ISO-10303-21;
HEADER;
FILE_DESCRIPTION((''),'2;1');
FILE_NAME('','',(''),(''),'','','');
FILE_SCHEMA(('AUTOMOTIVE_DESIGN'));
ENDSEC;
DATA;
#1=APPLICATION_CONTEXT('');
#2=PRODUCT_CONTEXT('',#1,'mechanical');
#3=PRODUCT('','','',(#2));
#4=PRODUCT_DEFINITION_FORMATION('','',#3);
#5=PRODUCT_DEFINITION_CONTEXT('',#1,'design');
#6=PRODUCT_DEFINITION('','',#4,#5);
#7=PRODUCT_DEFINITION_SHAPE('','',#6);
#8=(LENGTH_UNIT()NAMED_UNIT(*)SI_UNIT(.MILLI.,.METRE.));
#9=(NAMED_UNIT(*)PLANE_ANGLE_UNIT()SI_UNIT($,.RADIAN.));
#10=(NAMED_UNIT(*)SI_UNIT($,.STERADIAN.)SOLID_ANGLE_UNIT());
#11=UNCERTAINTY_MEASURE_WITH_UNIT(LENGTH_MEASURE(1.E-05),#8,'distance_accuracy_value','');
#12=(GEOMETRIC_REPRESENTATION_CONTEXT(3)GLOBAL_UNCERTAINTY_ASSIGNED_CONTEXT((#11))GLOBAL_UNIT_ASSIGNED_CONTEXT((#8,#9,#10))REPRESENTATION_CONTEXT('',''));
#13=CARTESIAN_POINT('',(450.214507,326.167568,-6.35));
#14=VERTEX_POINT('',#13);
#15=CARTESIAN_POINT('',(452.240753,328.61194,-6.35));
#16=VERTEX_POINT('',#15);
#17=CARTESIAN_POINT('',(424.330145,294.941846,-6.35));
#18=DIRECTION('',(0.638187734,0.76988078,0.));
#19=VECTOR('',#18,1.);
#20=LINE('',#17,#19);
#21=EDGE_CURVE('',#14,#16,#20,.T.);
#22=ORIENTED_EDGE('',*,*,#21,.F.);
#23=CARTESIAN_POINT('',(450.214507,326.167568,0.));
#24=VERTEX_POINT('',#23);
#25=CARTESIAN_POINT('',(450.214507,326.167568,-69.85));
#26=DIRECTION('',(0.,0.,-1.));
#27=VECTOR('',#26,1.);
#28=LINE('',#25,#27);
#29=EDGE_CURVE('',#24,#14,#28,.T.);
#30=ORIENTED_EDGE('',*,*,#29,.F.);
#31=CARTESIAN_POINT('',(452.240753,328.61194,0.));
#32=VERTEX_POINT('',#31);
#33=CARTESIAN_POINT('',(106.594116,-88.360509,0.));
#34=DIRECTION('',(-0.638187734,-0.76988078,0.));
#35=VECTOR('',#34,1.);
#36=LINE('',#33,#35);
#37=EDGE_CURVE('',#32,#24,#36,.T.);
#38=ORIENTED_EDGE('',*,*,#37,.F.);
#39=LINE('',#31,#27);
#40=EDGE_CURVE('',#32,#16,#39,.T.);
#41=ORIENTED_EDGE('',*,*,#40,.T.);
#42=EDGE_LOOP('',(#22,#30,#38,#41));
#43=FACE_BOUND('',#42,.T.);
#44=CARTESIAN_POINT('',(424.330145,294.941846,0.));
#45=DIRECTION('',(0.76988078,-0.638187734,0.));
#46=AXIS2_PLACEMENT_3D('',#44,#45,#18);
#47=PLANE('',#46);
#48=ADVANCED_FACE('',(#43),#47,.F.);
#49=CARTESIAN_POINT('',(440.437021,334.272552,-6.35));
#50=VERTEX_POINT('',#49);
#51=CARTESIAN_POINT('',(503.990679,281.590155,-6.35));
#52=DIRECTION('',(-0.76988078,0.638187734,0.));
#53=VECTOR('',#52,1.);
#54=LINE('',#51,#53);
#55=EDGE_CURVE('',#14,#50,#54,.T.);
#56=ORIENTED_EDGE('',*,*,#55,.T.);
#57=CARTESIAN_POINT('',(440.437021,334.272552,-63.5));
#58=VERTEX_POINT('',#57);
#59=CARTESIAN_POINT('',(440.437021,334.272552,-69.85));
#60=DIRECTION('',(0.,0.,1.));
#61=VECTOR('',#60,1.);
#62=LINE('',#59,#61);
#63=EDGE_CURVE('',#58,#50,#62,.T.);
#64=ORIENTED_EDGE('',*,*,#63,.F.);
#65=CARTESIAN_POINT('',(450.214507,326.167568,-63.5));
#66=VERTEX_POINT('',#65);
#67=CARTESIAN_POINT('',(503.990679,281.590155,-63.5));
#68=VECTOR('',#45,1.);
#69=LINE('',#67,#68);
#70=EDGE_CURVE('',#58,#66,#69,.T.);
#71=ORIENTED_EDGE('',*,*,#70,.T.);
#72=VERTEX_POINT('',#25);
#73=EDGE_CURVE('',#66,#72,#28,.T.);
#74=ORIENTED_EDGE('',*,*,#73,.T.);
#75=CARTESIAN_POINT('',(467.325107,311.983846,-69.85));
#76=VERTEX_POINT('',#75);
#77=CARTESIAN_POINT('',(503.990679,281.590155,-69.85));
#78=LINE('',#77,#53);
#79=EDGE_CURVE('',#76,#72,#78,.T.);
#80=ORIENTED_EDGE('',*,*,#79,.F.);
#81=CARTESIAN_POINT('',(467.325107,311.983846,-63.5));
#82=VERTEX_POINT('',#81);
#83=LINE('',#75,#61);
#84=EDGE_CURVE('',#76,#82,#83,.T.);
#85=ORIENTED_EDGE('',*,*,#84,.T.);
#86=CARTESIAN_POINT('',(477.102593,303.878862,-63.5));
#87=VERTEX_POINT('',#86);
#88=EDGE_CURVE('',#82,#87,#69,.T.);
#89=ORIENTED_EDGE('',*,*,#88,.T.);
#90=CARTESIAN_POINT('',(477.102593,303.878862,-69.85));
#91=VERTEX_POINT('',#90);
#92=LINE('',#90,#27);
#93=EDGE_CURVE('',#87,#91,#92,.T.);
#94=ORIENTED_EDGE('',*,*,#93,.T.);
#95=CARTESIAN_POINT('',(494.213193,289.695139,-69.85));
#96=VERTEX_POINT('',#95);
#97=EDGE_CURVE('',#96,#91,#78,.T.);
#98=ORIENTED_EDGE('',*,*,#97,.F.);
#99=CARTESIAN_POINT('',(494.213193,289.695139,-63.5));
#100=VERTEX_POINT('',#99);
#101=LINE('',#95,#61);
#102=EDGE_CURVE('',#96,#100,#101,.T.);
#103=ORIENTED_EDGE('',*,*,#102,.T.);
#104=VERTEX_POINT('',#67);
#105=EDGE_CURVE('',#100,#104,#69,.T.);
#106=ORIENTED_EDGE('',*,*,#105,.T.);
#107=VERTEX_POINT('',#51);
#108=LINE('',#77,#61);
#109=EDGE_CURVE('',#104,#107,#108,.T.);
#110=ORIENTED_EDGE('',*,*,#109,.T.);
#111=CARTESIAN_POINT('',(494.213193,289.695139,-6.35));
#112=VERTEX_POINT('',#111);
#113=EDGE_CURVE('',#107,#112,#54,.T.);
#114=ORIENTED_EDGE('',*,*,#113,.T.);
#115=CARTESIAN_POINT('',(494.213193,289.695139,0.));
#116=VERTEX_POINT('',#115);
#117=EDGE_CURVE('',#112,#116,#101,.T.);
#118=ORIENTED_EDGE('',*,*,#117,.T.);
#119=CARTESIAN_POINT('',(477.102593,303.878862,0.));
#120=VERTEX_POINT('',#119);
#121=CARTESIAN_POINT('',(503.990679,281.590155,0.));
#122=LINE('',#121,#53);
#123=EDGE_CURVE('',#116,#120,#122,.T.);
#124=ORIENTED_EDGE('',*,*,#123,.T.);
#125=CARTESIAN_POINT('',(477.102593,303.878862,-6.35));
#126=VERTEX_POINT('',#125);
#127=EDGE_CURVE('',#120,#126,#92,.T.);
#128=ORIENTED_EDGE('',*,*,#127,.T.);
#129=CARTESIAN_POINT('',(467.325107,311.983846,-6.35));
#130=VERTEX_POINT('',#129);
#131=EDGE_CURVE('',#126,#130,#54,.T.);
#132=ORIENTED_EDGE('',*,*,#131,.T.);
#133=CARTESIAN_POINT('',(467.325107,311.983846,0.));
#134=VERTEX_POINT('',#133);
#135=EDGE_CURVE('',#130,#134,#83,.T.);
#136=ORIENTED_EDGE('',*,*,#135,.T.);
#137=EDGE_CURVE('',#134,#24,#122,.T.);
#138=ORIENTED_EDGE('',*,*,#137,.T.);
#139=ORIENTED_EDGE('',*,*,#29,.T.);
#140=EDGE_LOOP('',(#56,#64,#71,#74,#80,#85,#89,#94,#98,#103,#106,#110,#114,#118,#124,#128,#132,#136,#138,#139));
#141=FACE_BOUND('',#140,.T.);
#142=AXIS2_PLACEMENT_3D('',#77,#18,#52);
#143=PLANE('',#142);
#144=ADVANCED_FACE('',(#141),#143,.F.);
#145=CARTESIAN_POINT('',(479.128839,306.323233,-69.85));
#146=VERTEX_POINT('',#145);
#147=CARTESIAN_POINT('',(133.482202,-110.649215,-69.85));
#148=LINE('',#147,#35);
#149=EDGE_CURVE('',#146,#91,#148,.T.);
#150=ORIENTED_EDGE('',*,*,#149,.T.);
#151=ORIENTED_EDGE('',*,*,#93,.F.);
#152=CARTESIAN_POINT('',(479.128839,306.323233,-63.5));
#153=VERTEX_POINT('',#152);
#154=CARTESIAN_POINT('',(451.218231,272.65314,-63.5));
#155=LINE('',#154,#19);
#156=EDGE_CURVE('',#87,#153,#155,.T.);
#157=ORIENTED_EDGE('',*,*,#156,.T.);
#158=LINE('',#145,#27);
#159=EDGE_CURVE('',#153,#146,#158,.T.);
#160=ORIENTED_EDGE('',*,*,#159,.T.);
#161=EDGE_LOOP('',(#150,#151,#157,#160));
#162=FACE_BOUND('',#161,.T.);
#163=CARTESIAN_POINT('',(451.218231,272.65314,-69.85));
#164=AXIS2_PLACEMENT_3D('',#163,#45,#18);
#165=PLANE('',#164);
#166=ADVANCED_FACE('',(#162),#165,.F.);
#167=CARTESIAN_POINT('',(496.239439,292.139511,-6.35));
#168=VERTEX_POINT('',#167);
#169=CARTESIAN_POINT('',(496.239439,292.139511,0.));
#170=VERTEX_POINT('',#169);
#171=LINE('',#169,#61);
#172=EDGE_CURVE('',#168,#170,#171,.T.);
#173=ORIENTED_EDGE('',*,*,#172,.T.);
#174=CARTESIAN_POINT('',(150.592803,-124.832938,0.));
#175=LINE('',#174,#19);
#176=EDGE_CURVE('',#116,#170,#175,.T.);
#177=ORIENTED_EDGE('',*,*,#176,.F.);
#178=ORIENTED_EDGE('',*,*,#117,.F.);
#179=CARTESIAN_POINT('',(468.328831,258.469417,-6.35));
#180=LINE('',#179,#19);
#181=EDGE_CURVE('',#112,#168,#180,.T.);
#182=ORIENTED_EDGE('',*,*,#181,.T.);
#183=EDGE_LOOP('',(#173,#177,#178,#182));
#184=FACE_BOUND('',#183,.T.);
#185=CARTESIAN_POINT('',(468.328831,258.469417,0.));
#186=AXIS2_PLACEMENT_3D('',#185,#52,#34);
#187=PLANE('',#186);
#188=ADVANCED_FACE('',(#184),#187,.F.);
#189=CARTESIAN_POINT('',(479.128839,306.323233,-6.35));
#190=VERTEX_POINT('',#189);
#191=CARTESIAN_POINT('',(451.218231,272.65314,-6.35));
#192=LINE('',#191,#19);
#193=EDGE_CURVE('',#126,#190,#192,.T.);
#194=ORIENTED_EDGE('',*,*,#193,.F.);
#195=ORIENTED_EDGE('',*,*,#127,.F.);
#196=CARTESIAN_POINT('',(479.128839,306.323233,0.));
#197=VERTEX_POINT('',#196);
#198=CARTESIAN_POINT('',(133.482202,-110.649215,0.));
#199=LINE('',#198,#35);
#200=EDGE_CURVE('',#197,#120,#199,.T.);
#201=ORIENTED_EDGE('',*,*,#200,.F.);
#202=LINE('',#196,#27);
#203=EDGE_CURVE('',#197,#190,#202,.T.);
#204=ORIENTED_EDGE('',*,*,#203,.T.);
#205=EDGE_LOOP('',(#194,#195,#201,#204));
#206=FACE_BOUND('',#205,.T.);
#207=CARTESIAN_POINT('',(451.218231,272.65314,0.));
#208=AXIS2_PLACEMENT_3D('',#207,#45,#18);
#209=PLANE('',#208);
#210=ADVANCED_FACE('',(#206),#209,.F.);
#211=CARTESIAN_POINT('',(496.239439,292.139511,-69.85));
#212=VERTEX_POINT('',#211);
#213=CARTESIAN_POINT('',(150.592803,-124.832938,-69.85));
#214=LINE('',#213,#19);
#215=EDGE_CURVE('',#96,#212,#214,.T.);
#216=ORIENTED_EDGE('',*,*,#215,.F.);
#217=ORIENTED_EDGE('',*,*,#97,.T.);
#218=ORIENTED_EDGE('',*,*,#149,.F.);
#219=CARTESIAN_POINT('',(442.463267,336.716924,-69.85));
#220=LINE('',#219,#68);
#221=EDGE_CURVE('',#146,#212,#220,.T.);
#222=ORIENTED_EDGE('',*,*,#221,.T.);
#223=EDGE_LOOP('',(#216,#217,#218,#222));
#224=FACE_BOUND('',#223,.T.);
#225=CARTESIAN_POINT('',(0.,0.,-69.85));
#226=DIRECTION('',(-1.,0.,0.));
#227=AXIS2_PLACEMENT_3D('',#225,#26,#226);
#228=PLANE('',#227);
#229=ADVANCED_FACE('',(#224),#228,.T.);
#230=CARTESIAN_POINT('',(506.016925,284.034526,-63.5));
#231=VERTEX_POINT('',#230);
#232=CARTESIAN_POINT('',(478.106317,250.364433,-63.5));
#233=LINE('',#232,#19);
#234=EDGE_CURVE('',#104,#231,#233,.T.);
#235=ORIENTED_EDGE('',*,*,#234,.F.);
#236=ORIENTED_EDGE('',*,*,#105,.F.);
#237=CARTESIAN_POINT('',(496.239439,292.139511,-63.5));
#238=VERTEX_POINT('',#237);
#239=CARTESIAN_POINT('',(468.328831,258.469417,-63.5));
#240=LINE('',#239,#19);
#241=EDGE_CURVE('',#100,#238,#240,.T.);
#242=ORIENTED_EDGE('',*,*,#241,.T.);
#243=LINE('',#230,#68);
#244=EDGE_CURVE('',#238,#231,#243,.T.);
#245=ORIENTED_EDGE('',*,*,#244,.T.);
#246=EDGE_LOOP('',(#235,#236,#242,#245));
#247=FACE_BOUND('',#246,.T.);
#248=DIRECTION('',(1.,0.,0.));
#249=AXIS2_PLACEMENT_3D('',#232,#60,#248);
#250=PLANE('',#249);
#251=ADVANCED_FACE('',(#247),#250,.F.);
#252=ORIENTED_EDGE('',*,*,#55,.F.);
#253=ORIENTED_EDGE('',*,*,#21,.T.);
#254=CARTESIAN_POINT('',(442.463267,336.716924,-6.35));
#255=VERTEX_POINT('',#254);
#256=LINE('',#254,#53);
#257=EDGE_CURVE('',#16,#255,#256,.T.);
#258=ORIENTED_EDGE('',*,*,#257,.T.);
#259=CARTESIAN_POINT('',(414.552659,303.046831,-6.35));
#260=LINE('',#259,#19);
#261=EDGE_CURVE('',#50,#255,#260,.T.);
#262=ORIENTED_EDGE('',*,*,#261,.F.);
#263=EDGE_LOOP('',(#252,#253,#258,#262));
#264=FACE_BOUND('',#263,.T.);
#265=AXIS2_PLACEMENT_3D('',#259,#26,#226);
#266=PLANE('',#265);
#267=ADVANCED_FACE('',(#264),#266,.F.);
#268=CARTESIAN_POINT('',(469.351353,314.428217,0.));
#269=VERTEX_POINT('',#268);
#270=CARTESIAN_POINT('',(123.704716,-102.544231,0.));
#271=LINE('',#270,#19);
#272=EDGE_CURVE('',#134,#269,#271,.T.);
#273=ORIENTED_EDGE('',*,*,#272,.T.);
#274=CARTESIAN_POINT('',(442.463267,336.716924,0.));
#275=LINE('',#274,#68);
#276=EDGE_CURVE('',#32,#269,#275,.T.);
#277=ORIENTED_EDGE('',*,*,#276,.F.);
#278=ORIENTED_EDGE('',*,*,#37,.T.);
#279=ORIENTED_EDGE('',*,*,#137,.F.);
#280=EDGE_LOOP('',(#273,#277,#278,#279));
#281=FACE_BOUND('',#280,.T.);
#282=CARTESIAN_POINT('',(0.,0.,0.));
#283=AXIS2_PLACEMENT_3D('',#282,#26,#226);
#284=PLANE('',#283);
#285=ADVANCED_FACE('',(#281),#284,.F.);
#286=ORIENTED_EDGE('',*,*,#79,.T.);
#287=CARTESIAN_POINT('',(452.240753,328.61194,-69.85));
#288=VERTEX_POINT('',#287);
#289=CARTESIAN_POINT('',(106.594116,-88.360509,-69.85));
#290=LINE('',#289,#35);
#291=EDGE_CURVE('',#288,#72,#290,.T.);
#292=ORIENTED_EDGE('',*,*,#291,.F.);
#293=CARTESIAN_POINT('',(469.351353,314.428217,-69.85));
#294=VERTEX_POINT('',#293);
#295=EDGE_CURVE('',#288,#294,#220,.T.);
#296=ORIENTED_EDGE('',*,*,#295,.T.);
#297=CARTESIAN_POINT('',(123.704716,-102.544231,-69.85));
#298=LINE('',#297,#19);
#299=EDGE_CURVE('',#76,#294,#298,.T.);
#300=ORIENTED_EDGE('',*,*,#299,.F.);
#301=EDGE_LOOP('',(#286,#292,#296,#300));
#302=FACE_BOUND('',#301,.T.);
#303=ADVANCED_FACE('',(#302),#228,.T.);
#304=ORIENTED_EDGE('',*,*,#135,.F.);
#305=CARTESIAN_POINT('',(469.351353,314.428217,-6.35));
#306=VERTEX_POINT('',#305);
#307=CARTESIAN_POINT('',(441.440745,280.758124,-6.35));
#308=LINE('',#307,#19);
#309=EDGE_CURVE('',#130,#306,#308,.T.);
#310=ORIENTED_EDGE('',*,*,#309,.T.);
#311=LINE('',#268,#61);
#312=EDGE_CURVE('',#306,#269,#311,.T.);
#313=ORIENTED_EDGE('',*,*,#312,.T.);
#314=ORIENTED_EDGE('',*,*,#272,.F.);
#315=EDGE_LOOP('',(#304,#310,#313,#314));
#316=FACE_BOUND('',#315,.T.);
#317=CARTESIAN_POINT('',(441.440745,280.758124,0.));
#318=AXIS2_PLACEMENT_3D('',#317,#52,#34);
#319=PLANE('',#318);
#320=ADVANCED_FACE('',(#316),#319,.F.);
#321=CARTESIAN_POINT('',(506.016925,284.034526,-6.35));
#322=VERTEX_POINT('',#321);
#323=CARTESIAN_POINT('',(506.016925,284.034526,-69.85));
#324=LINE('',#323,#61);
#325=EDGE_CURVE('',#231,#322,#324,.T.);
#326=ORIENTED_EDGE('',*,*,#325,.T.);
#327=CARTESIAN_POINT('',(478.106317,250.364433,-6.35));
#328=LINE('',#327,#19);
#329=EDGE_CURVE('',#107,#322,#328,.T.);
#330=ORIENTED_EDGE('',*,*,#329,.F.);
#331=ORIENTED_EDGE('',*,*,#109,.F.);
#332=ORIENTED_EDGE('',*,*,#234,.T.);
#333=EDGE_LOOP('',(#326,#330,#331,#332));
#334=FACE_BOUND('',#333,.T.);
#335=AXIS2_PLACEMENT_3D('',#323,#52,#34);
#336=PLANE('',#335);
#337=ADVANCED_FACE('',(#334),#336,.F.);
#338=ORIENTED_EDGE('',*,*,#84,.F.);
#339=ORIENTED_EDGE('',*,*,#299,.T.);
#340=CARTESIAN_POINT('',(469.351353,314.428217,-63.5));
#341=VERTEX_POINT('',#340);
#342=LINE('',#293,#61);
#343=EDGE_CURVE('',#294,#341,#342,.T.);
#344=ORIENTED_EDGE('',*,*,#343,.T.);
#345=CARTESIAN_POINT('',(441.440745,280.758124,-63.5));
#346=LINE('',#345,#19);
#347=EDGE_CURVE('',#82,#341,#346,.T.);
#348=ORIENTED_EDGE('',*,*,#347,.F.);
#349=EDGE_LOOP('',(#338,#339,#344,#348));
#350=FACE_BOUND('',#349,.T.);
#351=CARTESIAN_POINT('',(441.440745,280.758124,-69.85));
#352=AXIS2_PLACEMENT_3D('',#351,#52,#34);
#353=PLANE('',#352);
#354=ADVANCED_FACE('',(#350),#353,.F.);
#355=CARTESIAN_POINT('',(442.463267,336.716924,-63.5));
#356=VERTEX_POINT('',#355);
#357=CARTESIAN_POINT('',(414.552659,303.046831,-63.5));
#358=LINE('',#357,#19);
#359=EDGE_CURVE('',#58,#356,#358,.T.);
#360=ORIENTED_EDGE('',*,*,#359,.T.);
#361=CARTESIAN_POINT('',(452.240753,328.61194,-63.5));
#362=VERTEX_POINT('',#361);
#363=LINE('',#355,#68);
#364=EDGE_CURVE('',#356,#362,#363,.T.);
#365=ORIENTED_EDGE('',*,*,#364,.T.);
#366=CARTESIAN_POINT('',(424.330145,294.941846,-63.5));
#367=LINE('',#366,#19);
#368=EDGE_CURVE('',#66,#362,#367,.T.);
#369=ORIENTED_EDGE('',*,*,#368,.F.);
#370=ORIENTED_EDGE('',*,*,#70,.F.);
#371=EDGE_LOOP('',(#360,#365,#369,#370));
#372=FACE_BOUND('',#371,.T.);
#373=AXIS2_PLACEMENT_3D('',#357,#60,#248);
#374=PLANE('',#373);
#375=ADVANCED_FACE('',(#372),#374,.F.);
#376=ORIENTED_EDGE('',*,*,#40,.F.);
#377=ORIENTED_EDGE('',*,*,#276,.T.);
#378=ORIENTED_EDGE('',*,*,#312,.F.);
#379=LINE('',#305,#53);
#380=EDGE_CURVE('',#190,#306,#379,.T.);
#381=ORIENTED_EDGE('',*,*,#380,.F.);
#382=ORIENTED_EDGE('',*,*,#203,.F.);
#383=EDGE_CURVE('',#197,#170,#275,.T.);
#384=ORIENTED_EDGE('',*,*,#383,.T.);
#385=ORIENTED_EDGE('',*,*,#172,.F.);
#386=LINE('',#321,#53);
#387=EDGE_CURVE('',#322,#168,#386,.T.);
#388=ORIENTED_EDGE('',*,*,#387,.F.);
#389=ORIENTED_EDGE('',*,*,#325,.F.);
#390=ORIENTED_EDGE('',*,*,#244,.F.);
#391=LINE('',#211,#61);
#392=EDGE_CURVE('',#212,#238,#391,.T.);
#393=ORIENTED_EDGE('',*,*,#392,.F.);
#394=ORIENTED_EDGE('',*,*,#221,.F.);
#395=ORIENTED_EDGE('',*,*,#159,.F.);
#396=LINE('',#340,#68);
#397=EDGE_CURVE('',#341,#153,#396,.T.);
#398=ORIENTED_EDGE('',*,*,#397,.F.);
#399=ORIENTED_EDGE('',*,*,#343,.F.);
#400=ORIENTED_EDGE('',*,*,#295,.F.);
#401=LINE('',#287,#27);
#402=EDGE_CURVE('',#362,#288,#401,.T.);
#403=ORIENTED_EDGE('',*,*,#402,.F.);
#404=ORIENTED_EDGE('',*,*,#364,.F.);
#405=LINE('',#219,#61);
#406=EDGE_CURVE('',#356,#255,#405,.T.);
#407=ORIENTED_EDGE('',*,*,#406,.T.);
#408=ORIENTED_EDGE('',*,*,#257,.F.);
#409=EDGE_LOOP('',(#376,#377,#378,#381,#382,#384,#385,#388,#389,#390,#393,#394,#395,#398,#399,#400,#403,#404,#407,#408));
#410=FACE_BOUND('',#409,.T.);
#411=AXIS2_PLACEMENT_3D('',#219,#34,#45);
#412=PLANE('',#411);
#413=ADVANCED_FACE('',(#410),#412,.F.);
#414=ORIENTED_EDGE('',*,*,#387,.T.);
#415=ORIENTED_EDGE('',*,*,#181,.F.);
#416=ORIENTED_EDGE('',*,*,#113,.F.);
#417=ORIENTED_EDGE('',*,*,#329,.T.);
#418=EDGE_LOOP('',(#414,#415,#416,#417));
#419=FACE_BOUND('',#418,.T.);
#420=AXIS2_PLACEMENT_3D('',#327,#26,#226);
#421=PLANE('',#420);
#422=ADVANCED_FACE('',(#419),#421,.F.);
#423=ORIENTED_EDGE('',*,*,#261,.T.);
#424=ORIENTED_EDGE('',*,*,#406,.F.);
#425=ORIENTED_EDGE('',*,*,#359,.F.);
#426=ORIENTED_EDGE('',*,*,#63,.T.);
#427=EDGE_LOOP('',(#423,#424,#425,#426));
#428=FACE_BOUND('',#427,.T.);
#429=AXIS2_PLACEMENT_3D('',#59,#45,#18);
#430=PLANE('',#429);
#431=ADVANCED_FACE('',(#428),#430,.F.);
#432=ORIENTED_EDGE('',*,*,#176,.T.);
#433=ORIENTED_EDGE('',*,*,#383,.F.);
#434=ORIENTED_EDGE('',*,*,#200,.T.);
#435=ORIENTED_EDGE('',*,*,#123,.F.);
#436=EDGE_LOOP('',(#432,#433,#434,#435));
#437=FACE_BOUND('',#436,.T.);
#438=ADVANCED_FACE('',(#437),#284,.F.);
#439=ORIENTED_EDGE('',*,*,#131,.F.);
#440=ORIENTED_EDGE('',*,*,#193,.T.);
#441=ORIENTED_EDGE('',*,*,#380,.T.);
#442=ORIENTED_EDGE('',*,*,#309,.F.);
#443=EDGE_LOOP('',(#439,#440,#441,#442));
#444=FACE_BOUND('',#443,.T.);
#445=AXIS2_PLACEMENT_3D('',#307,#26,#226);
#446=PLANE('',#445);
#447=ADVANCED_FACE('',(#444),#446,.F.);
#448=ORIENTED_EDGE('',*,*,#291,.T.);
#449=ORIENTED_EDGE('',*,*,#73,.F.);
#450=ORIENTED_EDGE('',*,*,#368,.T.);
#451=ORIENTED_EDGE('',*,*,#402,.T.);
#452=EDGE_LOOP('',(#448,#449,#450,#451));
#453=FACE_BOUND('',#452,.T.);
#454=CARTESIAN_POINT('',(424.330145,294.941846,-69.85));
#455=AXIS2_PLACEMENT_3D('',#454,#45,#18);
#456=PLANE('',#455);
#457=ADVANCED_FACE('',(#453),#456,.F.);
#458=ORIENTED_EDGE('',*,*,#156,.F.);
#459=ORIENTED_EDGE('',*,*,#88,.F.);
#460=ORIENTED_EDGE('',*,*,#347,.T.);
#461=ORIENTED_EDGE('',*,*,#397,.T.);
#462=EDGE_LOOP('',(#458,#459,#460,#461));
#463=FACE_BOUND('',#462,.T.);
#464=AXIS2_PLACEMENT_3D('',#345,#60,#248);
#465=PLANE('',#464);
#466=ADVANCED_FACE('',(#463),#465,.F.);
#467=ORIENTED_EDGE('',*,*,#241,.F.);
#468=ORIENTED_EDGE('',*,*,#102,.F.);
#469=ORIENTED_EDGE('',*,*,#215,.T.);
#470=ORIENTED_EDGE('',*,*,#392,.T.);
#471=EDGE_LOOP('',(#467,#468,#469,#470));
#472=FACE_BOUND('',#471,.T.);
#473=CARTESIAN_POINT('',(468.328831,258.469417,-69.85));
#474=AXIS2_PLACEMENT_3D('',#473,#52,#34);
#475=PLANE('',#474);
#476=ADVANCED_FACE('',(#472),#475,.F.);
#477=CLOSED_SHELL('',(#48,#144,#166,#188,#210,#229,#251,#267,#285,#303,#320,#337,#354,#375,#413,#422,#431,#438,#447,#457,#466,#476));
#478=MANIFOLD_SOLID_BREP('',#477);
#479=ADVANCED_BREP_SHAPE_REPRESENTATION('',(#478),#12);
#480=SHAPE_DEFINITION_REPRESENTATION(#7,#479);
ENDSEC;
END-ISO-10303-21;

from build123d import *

# Parameters (mm, degrees)
BOSS_EXTRUDE1_DEPTH = 69.85
SKETCH2_W           = 12.7
SKETCH2_H           = 6.35
CUT_EXTRUDE1_DEPTH  = 222.192263369


with BuildPart() as part:
    # Sketch1 → Boss-Extrude1 (new body)
    with BuildSketch(Plane.XY):
        Polygon((503.990679128, 281.590154943), (440.437020728, 334.27255242), (442.463266785, 336.716923897), (506.016925185, 284.03452642), align=None)
    extrude(amount=-BOSS_EXTRUDE1_DEPTH)

    # Sketch2 → Cut-Extrude1 (cut, through all)
    with BuildSketch(Plane(origin=(345.646636579, 416.972448493, 0), x_dir=(0.7698807801393573, -0.6381877344261755, 0), z_dir=(0.6381877344261755, 0.7698807801393575, 0))):
        with Locations((132.10535421, 66.675)):
            Rectangle(SKETCH2_W, SKETCH2_H)
        with Locations((167.03035421, 66.675)):
            Rectangle(SKETCH2_W, SKETCH2_H)
        with Locations((201.95535421, 66.675)):
            Rectangle(SKETCH2_W, SKETCH2_H)
        with Locations((132.10535421, 3.175)):
            Rectangle(SKETCH2_W, SKETCH2_H)
        with Locations((167.03035421, 3.175)):
            Rectangle(SKETCH2_W, SKETCH2_H)
        with Locations((201.95535421, 3.175)):
            Rectangle(SKETCH2_W, SKETCH2_H)
    extrude(amount=-CUT_EXTRUDE1_DEPTH, mode=Mode.SUBTRACT)


solid = part.part
